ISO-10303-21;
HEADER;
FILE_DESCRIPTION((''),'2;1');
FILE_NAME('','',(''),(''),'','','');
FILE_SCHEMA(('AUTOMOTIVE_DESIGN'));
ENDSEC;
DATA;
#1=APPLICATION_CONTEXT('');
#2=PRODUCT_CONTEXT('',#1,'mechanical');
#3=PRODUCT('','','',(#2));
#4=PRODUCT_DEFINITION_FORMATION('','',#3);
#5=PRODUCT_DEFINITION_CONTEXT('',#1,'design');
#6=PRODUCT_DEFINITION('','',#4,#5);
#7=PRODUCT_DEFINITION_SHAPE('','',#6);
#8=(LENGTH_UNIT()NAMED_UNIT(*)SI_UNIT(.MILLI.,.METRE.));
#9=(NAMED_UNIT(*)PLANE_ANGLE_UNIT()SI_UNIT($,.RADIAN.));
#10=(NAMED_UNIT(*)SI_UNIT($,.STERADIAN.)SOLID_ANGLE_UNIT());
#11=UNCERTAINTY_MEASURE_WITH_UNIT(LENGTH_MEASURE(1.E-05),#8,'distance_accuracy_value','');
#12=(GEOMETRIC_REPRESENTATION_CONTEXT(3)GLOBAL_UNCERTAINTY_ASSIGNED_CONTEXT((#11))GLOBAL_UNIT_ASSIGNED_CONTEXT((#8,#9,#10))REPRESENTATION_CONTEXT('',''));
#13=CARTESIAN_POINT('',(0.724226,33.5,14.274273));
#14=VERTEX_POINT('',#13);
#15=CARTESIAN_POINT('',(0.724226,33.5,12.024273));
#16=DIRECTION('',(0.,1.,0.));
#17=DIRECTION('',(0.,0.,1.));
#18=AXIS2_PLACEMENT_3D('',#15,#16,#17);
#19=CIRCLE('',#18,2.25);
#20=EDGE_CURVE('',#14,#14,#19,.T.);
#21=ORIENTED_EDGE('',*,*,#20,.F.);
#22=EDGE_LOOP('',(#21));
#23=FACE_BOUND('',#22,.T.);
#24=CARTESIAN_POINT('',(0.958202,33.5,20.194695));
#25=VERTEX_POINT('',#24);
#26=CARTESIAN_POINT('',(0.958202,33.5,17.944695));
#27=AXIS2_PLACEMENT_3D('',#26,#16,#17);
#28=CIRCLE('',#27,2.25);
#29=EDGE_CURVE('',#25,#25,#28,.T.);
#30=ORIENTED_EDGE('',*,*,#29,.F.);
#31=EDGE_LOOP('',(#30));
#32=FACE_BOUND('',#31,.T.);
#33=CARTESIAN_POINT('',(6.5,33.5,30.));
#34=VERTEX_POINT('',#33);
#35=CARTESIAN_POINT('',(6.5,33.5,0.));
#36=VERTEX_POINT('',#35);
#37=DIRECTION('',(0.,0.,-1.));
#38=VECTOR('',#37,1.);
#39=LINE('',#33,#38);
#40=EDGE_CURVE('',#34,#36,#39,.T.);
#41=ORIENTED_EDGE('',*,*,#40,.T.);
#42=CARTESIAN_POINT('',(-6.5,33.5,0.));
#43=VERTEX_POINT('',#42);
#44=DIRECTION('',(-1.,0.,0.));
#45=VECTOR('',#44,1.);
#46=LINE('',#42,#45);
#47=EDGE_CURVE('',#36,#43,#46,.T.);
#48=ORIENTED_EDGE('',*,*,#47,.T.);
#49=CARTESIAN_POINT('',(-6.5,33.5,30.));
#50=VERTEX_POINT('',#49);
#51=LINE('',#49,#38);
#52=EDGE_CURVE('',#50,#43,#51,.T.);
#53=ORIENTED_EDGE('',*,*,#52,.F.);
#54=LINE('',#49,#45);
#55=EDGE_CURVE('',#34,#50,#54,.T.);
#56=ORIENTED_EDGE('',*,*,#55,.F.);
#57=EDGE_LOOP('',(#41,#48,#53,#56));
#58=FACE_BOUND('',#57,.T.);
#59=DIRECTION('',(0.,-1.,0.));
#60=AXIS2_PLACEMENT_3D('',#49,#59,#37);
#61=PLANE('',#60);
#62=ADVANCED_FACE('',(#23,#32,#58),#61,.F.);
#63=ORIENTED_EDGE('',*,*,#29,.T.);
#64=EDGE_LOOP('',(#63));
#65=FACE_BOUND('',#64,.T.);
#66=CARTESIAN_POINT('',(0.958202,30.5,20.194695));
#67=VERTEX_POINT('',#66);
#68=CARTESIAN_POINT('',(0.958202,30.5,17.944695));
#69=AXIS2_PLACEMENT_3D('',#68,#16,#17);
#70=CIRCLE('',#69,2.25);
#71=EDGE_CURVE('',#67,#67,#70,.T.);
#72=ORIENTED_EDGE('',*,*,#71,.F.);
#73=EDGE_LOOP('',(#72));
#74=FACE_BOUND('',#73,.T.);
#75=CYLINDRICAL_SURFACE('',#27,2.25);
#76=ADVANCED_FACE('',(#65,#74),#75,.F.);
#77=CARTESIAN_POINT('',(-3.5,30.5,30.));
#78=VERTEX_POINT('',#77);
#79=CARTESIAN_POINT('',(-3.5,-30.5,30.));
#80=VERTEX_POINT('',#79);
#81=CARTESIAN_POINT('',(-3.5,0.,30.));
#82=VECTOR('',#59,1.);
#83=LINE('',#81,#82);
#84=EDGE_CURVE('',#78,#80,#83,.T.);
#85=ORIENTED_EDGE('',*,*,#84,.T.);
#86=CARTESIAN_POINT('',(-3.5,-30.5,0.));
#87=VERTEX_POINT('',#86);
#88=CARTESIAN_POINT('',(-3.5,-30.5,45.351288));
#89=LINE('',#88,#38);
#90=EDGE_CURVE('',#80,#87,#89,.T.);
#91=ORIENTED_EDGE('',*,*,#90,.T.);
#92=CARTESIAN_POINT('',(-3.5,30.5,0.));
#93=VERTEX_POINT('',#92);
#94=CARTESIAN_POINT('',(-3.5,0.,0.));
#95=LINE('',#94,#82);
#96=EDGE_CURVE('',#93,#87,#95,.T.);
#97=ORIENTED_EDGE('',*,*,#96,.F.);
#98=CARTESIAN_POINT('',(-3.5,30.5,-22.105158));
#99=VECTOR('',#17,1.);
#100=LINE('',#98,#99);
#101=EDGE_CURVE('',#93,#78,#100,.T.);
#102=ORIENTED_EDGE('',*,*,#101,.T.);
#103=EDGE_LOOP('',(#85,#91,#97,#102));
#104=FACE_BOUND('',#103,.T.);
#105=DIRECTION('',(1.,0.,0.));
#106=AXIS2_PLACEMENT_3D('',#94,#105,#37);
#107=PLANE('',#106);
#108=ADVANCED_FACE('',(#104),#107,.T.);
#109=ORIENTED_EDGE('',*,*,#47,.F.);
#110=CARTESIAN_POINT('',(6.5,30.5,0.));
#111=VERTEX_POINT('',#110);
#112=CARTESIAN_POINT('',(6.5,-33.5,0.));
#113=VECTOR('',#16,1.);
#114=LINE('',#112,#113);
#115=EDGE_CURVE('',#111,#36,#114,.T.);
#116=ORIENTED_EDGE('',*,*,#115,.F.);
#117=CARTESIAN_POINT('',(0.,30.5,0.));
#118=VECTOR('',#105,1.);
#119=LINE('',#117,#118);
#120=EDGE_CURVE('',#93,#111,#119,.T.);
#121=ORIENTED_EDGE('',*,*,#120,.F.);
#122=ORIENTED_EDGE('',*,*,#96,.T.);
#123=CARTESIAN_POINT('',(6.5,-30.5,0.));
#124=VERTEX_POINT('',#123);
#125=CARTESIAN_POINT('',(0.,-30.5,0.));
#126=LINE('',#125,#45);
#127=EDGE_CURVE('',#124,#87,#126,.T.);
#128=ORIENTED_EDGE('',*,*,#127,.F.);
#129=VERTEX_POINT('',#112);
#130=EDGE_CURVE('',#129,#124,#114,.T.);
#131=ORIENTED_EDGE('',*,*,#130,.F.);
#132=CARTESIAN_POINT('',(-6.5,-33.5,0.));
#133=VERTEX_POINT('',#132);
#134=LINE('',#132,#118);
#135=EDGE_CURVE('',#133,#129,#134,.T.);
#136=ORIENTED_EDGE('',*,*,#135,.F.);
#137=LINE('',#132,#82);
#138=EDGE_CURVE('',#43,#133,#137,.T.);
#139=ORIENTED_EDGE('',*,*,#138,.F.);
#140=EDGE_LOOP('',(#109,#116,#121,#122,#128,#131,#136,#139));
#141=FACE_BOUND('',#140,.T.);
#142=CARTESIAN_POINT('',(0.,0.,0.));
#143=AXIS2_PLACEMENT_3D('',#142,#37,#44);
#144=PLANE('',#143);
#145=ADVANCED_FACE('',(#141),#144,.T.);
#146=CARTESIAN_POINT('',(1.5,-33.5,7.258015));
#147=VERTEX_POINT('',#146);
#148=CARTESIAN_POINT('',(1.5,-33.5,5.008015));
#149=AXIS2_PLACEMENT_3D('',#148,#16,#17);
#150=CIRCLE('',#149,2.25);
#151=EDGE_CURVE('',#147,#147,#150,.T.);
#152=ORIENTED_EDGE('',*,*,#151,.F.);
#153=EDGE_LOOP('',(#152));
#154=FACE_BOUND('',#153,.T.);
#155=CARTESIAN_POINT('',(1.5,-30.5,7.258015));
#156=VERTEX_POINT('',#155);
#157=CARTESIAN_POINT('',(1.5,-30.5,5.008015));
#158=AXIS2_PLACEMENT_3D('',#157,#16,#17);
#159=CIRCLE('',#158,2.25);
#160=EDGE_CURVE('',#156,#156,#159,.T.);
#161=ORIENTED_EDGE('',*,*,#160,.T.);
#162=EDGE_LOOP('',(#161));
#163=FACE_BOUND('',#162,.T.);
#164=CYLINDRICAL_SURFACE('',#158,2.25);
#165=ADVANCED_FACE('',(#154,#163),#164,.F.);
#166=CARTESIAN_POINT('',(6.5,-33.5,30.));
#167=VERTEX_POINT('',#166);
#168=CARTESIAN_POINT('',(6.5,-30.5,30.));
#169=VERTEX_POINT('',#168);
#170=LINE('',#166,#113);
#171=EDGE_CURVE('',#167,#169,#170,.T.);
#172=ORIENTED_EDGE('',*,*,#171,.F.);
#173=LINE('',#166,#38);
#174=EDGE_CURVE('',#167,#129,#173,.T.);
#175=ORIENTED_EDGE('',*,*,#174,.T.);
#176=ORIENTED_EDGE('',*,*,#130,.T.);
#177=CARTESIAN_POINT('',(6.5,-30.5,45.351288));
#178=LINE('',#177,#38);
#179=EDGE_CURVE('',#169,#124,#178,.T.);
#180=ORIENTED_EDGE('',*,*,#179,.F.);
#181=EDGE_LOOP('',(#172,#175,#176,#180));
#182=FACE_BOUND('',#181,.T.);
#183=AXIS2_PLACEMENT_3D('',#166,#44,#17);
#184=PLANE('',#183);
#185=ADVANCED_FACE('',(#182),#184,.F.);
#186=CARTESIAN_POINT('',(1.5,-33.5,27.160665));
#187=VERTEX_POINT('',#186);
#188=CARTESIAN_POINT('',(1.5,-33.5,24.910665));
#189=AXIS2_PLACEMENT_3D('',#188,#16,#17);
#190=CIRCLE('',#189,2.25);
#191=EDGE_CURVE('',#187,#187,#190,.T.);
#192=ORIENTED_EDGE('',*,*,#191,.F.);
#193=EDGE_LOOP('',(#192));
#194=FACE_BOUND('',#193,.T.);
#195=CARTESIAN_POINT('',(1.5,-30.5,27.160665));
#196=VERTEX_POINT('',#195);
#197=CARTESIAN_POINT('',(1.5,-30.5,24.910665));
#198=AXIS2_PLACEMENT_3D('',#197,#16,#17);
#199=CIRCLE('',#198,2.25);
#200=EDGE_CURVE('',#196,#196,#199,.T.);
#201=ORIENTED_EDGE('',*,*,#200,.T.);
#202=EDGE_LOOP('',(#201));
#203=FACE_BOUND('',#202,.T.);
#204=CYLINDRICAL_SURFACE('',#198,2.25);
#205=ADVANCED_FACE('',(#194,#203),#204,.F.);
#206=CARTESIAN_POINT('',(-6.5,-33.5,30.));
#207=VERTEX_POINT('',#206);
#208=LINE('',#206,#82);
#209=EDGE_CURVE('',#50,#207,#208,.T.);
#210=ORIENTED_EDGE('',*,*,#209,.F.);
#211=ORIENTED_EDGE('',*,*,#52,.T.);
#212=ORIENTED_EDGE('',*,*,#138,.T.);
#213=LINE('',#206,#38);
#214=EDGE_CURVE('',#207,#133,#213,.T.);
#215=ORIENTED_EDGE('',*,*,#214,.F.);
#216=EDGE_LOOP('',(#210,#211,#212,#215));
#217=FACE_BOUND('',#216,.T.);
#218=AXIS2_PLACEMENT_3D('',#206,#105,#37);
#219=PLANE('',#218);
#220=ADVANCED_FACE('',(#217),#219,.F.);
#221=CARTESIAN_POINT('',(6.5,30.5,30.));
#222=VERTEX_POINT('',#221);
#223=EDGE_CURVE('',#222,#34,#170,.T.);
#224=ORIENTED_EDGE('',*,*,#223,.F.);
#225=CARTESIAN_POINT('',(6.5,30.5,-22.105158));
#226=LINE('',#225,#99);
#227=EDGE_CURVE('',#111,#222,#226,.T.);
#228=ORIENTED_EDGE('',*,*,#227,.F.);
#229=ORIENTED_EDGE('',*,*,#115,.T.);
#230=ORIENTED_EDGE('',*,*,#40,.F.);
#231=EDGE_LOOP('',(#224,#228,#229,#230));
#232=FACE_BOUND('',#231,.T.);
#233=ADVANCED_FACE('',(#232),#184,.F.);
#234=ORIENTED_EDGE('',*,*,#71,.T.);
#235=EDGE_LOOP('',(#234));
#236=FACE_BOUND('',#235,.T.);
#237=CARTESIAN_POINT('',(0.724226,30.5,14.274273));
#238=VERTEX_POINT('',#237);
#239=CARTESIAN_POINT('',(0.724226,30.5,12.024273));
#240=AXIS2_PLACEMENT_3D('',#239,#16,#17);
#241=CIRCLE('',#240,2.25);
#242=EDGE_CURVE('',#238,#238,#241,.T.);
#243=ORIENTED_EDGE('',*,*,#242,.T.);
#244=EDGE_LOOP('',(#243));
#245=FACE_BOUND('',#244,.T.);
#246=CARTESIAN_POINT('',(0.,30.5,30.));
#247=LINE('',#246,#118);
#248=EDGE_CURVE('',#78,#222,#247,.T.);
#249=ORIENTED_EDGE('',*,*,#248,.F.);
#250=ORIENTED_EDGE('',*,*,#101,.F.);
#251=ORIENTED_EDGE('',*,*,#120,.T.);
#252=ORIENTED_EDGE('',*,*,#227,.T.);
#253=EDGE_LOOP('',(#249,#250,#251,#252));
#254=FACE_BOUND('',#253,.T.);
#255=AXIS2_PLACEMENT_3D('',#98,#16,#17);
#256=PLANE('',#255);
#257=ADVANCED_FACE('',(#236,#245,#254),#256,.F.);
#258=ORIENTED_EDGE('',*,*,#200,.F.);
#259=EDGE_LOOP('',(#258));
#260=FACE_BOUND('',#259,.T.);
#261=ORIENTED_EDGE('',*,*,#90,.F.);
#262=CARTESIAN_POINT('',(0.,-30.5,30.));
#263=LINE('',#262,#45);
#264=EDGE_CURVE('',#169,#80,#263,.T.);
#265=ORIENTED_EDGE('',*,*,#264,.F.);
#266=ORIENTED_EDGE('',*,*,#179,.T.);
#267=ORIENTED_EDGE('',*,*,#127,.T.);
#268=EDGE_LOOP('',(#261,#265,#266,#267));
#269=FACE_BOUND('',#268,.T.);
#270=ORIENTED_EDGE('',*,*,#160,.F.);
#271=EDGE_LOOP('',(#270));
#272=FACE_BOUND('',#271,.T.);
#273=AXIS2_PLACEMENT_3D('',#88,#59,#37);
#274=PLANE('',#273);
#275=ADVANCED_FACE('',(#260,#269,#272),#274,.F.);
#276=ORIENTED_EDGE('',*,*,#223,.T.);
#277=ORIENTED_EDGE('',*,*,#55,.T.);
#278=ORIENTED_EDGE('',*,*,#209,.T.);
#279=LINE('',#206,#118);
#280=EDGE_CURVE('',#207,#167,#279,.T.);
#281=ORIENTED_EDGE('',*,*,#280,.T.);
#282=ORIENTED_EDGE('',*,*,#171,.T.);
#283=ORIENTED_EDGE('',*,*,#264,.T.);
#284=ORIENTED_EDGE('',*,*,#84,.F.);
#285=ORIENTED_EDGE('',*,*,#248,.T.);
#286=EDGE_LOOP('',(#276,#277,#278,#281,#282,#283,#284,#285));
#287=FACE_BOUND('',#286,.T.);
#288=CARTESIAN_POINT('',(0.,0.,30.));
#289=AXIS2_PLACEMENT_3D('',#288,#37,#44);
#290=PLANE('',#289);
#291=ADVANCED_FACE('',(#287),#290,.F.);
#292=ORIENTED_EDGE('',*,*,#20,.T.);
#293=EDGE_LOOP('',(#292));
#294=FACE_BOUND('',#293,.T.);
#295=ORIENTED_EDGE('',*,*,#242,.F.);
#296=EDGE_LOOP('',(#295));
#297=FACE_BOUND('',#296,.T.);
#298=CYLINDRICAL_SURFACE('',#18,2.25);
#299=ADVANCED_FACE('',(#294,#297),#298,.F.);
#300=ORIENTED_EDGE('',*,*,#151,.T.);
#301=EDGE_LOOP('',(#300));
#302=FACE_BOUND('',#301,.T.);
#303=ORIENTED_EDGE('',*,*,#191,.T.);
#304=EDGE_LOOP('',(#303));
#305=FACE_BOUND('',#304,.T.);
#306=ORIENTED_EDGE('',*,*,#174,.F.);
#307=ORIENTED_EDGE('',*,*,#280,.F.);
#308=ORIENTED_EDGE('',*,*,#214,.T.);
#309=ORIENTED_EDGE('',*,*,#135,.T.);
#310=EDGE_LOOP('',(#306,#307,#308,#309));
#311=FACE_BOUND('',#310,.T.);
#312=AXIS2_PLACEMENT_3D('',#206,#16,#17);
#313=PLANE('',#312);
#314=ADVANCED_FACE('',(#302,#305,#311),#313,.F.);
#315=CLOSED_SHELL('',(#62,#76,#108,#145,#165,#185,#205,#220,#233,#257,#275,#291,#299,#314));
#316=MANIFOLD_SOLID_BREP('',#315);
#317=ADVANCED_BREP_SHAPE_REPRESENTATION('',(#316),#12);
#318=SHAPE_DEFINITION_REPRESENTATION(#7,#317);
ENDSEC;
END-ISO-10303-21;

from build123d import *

# Parameters (mm, degrees)
SKETCH1_W                = 13
SKETCH1_H                = 67
BOSS_EXTRUDE1_DEPTH      = 30
SKETCH2_W                = 67.456445976
SKETCH2_H                = 61
CUT_EXTRUDE1_DEPTH       = 10
M4_CLEARANCE_HOLE3_D     = 4.5
M4_CLEARANCE_HOLE3_DEPTH = 6
M4_CLEARANCE_HOLE3_TIP   = 1.351936393
M4_CLEARANCE_HOLE1_D     = 4.5
M4_CLEARANCE_HOLE1_DEPTH = 6
M4_CLEARANCE_HOLE1_TIP   = 1.351936393
M4_CLEARANCE_HOLE2_D     = 4.5
M4_CLEARANCE_HOLE2_DEPTH = 6
M4_CLEARANCE_HOLE2_TIP   = 1.351936393


with BuildPart() as part:
    # Sketch1 → Boss-Extrude1 (new body)
    with BuildSketch(Plane.XY):
        Rectangle(SKETCH1_W, SKETCH1_H)
    extrude(amount=BOSS_EXTRUDE1_DEPTH)

    # Sketch2 → Cut-Extrude1 (cut)
    with BuildSketch(Plane(origin=(6.5, 0, 0), x_dir=(0, 0, -1), z_dir=(1, 0, 0))):
        with Locations((-11.6230653, 0)):
            Rectangle(SKETCH2_W, SKETCH2_H)
    extrude(amount=-CUT_EXTRUDE1_DEPTH, mode=Mode.SUBTRACT)

    # M4 Clearance Hole3
    with Locations(Plane(origin=(0, 33.5, 0), x_dir=(1, 0, 0), z_dir=(0, 1, 0))):
        with Locations((0.724225785, -12.024273001)):
            Hole(M4_CLEARANCE_HOLE3_D / 2, depth=M4_CLEARANCE_HOLE3_DEPTH)
            with Locations((0, 0, -(M4_CLEARANCE_HOLE3_DEPTH + M4_CLEARANCE_HOLE3_TIP / 2))):  # 118° drill point
                Cone(0, M4_CLEARANCE_HOLE3_D / 2, M4_CLEARANCE_HOLE3_TIP, mode=Mode.SUBTRACT)

    # M4 Clearance Hole1
    with Locations(Plane(origin=(0, -30.5, 0), x_dir=(1, 0, 0), z_dir=(0, 1, 0))):
        with Locations((1.5, -5.008015198), (1.5, -24.910664678)):
            Hole(M4_CLEARANCE_HOLE1_D / 2, depth=M4_CLEARANCE_HOLE1_DEPTH)
            with Locations((0, 0, -(M4_CLEARANCE_HOLE1_DEPTH + M4_CLEARANCE_HOLE1_TIP / 2))):  # 118° drill point
                Cone(0, M4_CLEARANCE_HOLE1_D / 2, M4_CLEARANCE_HOLE1_TIP, mode=Mode.SUBTRACT)

    # M4 Clearance Hole2
    with Locations(Plane(origin=(0, 33.5, 0), x_dir=(1, 0, 0), z_dir=(0, 1, 0))):
        with Locations((0.958202429, -17.944695077)):
            Hole(M4_CLEARANCE_HOLE2_D / 2, depth=M4_CLEARANCE_HOLE2_DEPTH)
            with Locations((0, 0, -(M4_CLEARANCE_HOLE2_DEPTH + M4_CLEARANCE_HOLE2_TIP / 2))):  # 118° drill point
                Cone(0, M4_CLEARANCE_HOLE2_D / 2, M4_CLEARANCE_HOLE2_TIP, mode=Mode.SUBTRACT)


solid = part.part
